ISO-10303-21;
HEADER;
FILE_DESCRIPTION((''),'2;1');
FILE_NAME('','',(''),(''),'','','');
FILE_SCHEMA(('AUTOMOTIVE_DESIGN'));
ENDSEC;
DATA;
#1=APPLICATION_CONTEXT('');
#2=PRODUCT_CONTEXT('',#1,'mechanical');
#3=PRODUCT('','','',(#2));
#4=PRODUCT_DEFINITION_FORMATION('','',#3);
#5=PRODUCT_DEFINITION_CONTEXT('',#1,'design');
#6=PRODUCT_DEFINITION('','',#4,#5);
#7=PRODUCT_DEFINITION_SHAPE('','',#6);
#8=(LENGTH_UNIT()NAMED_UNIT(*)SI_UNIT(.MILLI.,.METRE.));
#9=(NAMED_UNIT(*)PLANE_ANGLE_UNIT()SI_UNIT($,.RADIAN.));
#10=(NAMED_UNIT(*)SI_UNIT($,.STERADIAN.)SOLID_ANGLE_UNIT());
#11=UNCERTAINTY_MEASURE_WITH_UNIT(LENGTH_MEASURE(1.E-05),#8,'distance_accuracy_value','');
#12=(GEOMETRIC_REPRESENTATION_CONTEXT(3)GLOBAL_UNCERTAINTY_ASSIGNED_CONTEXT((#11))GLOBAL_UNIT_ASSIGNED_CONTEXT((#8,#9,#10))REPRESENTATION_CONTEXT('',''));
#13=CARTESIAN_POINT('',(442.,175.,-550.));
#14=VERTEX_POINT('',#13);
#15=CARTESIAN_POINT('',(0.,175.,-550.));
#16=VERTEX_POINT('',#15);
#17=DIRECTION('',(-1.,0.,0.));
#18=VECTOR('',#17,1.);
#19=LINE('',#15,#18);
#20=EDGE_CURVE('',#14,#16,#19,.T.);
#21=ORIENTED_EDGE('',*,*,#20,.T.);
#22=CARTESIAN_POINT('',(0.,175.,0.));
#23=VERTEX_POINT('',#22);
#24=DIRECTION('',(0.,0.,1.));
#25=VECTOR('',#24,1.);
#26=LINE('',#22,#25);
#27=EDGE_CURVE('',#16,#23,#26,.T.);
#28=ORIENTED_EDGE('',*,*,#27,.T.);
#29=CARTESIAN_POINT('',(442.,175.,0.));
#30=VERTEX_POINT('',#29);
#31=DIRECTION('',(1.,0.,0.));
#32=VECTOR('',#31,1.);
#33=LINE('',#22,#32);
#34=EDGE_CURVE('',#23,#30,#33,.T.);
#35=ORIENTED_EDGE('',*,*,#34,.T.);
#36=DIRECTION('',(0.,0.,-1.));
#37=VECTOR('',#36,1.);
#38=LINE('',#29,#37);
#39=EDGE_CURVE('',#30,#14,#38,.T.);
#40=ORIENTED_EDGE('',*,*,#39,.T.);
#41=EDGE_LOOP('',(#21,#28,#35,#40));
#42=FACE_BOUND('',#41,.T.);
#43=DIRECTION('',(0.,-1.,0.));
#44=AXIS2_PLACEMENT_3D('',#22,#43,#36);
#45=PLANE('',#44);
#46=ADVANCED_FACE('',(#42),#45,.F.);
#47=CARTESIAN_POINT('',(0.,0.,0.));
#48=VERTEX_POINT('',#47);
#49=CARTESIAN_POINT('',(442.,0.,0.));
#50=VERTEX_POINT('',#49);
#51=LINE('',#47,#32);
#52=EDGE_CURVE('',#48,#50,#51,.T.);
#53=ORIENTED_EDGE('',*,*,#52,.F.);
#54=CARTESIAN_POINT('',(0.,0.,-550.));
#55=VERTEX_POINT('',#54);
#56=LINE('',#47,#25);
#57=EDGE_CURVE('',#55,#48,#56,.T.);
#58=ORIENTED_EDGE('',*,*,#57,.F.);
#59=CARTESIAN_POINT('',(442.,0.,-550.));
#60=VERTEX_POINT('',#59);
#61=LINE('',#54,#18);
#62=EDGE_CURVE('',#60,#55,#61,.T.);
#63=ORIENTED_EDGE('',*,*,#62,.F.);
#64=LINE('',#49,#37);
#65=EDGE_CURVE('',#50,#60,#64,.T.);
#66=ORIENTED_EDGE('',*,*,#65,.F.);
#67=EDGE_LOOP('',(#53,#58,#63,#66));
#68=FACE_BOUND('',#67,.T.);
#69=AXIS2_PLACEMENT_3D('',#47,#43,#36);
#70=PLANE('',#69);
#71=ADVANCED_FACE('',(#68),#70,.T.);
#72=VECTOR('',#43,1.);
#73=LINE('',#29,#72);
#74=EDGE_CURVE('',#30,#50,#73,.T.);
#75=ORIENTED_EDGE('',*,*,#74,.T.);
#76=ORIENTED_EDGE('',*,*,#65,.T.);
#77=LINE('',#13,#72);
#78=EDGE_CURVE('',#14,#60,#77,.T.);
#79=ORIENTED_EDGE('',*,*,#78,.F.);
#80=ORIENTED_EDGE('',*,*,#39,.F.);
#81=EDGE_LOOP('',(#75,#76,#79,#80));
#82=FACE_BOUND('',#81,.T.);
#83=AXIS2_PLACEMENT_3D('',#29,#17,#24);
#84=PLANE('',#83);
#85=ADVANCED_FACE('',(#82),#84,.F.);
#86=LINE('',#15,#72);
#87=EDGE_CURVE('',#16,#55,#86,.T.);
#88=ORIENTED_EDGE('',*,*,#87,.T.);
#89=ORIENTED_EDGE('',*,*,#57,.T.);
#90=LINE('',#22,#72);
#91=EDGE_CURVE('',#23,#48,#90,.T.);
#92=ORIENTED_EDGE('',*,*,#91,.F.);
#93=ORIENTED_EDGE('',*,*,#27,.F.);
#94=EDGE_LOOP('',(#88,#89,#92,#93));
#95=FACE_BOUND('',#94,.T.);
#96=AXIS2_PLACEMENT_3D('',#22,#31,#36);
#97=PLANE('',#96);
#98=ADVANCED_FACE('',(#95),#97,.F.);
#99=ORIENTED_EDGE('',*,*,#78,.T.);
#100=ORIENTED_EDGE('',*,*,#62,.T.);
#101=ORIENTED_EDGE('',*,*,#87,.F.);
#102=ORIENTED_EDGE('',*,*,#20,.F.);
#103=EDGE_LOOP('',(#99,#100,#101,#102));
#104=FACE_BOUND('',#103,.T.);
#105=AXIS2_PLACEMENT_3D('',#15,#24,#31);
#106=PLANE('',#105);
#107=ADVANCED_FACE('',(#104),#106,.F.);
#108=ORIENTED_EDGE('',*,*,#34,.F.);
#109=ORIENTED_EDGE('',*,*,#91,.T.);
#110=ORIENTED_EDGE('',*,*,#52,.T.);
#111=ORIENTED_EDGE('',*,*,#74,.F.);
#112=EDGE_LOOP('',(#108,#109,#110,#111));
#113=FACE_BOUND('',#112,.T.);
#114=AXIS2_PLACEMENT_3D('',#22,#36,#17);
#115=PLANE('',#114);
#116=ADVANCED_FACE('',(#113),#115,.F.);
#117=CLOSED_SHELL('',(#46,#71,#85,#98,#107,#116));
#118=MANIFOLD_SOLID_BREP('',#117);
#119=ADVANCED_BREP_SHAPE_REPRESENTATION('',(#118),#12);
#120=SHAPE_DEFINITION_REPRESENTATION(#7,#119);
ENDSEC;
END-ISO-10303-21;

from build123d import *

# Parameters (mm, degrees)
SKETCH_1_W      = 442
SKETCH_1_H      = 550
EXTRUDE_1_DEPTH = 175


with BuildPart() as part:
    # Эскиз1 → Бобышка-Вытянуть1 (new body)
    with BuildSketch(Plane(origin=(0, 0, 0), x_dir=(1, 0, 0), z_dir=(0, 1, 0))):
        with Locations((221, 275)):
            Rectangle(SKETCH_1_W, SKETCH_1_H)
    extrude(amount=EXTRUDE_1_DEPTH)


solid = part.part
